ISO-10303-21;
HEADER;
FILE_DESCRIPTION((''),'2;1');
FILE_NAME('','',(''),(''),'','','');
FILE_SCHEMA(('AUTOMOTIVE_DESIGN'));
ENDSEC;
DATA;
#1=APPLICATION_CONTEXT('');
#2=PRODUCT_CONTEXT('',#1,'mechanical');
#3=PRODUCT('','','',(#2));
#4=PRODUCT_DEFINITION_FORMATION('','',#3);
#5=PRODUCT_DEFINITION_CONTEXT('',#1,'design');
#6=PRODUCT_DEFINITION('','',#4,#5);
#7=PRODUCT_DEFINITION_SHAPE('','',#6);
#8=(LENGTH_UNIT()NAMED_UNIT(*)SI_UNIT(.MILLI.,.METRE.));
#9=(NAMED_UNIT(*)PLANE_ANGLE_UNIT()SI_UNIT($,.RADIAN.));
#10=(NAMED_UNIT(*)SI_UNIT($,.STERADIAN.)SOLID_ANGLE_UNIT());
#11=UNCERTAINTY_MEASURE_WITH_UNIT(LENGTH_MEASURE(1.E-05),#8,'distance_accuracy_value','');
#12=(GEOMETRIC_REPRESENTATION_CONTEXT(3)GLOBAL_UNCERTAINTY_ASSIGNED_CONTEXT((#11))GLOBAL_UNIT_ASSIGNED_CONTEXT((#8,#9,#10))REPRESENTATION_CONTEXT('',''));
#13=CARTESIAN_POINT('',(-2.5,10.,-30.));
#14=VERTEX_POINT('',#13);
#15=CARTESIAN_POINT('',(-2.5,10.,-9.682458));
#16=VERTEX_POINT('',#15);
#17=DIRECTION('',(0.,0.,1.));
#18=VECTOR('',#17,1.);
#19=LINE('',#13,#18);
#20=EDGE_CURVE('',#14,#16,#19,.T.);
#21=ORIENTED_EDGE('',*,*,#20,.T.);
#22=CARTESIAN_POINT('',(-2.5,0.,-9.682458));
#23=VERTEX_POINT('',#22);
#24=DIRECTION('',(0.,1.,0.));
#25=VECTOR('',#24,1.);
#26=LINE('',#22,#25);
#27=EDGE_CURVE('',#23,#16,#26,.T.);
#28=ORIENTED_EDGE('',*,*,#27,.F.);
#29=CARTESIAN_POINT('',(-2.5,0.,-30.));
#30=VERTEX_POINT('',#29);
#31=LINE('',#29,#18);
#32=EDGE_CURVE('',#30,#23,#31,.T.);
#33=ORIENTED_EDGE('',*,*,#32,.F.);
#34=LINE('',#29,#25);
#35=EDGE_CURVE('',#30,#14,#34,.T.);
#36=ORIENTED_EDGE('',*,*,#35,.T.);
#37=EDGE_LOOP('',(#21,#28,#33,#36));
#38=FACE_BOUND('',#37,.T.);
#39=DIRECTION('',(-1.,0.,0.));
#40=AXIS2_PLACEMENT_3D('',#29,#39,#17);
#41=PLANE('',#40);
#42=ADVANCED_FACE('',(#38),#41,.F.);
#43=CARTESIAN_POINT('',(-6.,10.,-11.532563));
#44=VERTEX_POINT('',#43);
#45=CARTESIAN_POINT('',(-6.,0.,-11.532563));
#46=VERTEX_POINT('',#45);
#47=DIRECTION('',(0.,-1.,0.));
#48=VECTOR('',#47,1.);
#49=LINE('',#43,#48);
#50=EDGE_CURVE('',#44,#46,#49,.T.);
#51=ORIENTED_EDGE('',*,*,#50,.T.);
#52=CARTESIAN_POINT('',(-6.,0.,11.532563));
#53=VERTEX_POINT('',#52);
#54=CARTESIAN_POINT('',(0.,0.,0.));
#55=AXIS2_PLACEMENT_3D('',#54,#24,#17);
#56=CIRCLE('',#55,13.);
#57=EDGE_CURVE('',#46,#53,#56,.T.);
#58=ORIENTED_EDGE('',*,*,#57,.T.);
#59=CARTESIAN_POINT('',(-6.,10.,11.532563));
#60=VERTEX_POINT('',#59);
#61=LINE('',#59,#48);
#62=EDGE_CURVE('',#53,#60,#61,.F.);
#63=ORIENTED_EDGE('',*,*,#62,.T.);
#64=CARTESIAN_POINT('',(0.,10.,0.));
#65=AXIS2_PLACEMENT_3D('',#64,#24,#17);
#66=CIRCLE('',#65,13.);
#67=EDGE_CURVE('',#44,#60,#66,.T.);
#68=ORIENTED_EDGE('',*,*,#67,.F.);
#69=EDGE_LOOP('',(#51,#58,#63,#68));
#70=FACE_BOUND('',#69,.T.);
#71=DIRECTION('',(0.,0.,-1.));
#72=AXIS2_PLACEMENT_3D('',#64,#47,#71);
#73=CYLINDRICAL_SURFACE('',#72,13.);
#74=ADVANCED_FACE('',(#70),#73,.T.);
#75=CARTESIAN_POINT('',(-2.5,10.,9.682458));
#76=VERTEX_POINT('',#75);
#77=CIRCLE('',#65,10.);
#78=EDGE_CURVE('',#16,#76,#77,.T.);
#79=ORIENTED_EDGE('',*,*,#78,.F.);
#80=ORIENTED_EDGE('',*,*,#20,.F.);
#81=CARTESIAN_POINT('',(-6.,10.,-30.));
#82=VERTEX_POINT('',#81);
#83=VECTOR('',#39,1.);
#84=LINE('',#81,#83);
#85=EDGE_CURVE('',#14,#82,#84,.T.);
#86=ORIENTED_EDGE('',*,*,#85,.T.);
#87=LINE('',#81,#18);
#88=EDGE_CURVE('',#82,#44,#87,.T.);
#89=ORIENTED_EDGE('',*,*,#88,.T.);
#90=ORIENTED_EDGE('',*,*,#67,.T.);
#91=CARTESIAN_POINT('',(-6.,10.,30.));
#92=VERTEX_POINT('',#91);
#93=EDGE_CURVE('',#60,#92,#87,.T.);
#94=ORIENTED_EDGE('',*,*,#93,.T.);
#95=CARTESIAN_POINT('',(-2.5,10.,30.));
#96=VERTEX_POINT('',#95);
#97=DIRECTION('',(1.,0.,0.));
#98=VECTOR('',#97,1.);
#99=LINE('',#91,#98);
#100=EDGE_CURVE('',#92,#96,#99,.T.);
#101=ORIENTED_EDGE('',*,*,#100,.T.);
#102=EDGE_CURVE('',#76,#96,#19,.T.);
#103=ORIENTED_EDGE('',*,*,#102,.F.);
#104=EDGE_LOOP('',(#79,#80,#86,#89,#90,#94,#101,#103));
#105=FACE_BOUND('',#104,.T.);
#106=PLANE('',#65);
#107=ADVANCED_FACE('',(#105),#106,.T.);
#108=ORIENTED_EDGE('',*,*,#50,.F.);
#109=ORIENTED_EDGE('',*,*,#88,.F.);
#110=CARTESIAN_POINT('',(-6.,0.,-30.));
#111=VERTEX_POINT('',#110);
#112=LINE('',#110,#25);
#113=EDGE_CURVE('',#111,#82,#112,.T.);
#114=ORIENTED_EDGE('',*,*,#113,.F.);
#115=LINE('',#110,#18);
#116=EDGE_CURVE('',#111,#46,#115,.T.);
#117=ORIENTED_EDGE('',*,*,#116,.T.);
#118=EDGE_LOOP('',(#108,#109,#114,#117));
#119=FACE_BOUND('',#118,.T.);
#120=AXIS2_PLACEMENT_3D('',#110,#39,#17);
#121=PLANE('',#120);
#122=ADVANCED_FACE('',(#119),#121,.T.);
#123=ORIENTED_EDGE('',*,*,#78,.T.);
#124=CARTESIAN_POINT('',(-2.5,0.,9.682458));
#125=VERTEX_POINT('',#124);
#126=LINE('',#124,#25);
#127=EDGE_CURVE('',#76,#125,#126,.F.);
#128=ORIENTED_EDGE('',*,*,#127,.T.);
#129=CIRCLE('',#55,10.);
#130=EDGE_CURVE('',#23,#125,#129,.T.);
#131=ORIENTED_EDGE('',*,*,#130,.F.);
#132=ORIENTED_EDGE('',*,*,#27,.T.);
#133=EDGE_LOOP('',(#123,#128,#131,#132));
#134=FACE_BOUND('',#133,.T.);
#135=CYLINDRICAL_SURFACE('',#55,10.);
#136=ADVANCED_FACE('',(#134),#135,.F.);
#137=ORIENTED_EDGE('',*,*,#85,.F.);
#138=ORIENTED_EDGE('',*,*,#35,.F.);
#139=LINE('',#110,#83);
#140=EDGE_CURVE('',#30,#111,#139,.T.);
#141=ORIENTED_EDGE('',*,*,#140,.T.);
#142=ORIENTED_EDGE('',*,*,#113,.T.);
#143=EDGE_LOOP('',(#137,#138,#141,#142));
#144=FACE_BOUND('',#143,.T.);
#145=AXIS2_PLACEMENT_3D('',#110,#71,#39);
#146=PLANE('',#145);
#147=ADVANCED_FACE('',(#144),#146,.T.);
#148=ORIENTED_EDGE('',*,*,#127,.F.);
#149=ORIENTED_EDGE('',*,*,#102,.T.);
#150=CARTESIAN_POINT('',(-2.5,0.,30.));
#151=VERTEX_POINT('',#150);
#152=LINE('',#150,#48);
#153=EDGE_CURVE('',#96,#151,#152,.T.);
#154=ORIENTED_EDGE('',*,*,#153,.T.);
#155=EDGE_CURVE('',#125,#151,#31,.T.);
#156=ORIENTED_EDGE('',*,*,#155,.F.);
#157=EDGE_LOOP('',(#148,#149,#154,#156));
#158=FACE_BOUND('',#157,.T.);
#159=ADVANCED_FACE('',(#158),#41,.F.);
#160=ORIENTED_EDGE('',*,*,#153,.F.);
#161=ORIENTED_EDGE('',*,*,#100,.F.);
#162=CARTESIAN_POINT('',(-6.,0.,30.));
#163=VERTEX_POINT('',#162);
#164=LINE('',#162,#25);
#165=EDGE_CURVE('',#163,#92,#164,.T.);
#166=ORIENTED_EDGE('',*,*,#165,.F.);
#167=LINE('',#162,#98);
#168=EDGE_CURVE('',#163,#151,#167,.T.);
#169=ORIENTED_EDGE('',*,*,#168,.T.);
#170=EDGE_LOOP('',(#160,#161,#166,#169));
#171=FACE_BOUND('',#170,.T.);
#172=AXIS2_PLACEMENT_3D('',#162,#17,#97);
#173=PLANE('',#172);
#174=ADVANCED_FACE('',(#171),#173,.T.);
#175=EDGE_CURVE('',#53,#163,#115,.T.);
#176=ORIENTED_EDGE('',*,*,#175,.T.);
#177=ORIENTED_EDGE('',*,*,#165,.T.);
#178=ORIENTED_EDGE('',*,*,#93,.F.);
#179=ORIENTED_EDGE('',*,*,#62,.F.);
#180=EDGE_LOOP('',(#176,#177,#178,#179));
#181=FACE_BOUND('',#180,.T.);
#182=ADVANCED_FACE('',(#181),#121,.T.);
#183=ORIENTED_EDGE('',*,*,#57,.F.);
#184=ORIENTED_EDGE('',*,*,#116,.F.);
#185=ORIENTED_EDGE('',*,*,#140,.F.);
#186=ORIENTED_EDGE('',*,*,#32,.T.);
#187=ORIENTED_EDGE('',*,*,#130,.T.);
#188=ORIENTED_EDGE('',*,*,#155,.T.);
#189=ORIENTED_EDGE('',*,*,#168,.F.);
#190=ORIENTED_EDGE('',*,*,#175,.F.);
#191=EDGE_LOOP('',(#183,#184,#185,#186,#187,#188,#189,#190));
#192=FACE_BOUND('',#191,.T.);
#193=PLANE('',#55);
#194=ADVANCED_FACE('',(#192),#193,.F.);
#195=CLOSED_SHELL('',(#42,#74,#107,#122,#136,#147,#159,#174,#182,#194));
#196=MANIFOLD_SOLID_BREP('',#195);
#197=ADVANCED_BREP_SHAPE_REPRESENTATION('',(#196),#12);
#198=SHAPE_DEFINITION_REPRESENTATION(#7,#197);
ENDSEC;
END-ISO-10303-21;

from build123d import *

# Parameters (mm, degrees)
SKETCH_1_R          = 13
EXTRUDE_1_DEPTH     = 10
SKETCH_2_W          = 12
SKETCH_2_H          = 60
EXTRUDE_2_DEPTH     = 10
SKETCH_3_R          = 10
CUT_EXTRUDE_1_DEPTH = 10
SKETCH_4_W          = 32.688093459
SKETCH_4_H          = 61.579585558
CUT_EXTRUDE_2_DEPTH = 10


with BuildPart() as part:
    # 草图1 → 凸台-拉伸1 (new body)
    with BuildSketch(Plane(origin=(0, 0, 0), x_dir=(1, 0, 0), z_dir=(0, 1, 0))):
        with Locations(Location((0, 0, 0), (0, 0, 270))):
            Circle(SKETCH_1_R)
    extrude(amount=EXTRUDE_1_DEPTH)

    # 草图2 → 凸台-拉伸2 (add)
    with BuildSketch(Plane(origin=(0, 10, 0), x_dir=(1, 0, 0), z_dir=(0, 1, 0))):
        Rectangle(SKETCH_2_W, SKETCH_2_H)
    extrude(amount=-EXTRUDE_2_DEPTH)

    # 草图3 → 切除-拉伸1 (cut)
    with BuildSketch(Plane(origin=(0, 10, 0), x_dir=(1, 0, 0), z_dir=(0, 1, 0))):
        with Locations(Location((0, 0, 0), (0, 0, 270))):
            Circle(SKETCH_3_R)
    extrude(amount=-CUT_EXTRUDE_1_DEPTH, mode=Mode.SUBTRACT)

    # 草图4 → 切除-拉伸2 (cut)
    with BuildSketch(Plane(origin=(0, 10, 0), x_dir=(1, 0, 0), z_dir=(0, 1, 0))):
        with Locations((13.84404673, -0.789792779)):
            Rectangle(SKETCH_4_W, SKETCH_4_H)
    extrude(amount=-CUT_EXTRUDE_2_DEPTH, mode=Mode.SUBTRACT)


solid = part.part
